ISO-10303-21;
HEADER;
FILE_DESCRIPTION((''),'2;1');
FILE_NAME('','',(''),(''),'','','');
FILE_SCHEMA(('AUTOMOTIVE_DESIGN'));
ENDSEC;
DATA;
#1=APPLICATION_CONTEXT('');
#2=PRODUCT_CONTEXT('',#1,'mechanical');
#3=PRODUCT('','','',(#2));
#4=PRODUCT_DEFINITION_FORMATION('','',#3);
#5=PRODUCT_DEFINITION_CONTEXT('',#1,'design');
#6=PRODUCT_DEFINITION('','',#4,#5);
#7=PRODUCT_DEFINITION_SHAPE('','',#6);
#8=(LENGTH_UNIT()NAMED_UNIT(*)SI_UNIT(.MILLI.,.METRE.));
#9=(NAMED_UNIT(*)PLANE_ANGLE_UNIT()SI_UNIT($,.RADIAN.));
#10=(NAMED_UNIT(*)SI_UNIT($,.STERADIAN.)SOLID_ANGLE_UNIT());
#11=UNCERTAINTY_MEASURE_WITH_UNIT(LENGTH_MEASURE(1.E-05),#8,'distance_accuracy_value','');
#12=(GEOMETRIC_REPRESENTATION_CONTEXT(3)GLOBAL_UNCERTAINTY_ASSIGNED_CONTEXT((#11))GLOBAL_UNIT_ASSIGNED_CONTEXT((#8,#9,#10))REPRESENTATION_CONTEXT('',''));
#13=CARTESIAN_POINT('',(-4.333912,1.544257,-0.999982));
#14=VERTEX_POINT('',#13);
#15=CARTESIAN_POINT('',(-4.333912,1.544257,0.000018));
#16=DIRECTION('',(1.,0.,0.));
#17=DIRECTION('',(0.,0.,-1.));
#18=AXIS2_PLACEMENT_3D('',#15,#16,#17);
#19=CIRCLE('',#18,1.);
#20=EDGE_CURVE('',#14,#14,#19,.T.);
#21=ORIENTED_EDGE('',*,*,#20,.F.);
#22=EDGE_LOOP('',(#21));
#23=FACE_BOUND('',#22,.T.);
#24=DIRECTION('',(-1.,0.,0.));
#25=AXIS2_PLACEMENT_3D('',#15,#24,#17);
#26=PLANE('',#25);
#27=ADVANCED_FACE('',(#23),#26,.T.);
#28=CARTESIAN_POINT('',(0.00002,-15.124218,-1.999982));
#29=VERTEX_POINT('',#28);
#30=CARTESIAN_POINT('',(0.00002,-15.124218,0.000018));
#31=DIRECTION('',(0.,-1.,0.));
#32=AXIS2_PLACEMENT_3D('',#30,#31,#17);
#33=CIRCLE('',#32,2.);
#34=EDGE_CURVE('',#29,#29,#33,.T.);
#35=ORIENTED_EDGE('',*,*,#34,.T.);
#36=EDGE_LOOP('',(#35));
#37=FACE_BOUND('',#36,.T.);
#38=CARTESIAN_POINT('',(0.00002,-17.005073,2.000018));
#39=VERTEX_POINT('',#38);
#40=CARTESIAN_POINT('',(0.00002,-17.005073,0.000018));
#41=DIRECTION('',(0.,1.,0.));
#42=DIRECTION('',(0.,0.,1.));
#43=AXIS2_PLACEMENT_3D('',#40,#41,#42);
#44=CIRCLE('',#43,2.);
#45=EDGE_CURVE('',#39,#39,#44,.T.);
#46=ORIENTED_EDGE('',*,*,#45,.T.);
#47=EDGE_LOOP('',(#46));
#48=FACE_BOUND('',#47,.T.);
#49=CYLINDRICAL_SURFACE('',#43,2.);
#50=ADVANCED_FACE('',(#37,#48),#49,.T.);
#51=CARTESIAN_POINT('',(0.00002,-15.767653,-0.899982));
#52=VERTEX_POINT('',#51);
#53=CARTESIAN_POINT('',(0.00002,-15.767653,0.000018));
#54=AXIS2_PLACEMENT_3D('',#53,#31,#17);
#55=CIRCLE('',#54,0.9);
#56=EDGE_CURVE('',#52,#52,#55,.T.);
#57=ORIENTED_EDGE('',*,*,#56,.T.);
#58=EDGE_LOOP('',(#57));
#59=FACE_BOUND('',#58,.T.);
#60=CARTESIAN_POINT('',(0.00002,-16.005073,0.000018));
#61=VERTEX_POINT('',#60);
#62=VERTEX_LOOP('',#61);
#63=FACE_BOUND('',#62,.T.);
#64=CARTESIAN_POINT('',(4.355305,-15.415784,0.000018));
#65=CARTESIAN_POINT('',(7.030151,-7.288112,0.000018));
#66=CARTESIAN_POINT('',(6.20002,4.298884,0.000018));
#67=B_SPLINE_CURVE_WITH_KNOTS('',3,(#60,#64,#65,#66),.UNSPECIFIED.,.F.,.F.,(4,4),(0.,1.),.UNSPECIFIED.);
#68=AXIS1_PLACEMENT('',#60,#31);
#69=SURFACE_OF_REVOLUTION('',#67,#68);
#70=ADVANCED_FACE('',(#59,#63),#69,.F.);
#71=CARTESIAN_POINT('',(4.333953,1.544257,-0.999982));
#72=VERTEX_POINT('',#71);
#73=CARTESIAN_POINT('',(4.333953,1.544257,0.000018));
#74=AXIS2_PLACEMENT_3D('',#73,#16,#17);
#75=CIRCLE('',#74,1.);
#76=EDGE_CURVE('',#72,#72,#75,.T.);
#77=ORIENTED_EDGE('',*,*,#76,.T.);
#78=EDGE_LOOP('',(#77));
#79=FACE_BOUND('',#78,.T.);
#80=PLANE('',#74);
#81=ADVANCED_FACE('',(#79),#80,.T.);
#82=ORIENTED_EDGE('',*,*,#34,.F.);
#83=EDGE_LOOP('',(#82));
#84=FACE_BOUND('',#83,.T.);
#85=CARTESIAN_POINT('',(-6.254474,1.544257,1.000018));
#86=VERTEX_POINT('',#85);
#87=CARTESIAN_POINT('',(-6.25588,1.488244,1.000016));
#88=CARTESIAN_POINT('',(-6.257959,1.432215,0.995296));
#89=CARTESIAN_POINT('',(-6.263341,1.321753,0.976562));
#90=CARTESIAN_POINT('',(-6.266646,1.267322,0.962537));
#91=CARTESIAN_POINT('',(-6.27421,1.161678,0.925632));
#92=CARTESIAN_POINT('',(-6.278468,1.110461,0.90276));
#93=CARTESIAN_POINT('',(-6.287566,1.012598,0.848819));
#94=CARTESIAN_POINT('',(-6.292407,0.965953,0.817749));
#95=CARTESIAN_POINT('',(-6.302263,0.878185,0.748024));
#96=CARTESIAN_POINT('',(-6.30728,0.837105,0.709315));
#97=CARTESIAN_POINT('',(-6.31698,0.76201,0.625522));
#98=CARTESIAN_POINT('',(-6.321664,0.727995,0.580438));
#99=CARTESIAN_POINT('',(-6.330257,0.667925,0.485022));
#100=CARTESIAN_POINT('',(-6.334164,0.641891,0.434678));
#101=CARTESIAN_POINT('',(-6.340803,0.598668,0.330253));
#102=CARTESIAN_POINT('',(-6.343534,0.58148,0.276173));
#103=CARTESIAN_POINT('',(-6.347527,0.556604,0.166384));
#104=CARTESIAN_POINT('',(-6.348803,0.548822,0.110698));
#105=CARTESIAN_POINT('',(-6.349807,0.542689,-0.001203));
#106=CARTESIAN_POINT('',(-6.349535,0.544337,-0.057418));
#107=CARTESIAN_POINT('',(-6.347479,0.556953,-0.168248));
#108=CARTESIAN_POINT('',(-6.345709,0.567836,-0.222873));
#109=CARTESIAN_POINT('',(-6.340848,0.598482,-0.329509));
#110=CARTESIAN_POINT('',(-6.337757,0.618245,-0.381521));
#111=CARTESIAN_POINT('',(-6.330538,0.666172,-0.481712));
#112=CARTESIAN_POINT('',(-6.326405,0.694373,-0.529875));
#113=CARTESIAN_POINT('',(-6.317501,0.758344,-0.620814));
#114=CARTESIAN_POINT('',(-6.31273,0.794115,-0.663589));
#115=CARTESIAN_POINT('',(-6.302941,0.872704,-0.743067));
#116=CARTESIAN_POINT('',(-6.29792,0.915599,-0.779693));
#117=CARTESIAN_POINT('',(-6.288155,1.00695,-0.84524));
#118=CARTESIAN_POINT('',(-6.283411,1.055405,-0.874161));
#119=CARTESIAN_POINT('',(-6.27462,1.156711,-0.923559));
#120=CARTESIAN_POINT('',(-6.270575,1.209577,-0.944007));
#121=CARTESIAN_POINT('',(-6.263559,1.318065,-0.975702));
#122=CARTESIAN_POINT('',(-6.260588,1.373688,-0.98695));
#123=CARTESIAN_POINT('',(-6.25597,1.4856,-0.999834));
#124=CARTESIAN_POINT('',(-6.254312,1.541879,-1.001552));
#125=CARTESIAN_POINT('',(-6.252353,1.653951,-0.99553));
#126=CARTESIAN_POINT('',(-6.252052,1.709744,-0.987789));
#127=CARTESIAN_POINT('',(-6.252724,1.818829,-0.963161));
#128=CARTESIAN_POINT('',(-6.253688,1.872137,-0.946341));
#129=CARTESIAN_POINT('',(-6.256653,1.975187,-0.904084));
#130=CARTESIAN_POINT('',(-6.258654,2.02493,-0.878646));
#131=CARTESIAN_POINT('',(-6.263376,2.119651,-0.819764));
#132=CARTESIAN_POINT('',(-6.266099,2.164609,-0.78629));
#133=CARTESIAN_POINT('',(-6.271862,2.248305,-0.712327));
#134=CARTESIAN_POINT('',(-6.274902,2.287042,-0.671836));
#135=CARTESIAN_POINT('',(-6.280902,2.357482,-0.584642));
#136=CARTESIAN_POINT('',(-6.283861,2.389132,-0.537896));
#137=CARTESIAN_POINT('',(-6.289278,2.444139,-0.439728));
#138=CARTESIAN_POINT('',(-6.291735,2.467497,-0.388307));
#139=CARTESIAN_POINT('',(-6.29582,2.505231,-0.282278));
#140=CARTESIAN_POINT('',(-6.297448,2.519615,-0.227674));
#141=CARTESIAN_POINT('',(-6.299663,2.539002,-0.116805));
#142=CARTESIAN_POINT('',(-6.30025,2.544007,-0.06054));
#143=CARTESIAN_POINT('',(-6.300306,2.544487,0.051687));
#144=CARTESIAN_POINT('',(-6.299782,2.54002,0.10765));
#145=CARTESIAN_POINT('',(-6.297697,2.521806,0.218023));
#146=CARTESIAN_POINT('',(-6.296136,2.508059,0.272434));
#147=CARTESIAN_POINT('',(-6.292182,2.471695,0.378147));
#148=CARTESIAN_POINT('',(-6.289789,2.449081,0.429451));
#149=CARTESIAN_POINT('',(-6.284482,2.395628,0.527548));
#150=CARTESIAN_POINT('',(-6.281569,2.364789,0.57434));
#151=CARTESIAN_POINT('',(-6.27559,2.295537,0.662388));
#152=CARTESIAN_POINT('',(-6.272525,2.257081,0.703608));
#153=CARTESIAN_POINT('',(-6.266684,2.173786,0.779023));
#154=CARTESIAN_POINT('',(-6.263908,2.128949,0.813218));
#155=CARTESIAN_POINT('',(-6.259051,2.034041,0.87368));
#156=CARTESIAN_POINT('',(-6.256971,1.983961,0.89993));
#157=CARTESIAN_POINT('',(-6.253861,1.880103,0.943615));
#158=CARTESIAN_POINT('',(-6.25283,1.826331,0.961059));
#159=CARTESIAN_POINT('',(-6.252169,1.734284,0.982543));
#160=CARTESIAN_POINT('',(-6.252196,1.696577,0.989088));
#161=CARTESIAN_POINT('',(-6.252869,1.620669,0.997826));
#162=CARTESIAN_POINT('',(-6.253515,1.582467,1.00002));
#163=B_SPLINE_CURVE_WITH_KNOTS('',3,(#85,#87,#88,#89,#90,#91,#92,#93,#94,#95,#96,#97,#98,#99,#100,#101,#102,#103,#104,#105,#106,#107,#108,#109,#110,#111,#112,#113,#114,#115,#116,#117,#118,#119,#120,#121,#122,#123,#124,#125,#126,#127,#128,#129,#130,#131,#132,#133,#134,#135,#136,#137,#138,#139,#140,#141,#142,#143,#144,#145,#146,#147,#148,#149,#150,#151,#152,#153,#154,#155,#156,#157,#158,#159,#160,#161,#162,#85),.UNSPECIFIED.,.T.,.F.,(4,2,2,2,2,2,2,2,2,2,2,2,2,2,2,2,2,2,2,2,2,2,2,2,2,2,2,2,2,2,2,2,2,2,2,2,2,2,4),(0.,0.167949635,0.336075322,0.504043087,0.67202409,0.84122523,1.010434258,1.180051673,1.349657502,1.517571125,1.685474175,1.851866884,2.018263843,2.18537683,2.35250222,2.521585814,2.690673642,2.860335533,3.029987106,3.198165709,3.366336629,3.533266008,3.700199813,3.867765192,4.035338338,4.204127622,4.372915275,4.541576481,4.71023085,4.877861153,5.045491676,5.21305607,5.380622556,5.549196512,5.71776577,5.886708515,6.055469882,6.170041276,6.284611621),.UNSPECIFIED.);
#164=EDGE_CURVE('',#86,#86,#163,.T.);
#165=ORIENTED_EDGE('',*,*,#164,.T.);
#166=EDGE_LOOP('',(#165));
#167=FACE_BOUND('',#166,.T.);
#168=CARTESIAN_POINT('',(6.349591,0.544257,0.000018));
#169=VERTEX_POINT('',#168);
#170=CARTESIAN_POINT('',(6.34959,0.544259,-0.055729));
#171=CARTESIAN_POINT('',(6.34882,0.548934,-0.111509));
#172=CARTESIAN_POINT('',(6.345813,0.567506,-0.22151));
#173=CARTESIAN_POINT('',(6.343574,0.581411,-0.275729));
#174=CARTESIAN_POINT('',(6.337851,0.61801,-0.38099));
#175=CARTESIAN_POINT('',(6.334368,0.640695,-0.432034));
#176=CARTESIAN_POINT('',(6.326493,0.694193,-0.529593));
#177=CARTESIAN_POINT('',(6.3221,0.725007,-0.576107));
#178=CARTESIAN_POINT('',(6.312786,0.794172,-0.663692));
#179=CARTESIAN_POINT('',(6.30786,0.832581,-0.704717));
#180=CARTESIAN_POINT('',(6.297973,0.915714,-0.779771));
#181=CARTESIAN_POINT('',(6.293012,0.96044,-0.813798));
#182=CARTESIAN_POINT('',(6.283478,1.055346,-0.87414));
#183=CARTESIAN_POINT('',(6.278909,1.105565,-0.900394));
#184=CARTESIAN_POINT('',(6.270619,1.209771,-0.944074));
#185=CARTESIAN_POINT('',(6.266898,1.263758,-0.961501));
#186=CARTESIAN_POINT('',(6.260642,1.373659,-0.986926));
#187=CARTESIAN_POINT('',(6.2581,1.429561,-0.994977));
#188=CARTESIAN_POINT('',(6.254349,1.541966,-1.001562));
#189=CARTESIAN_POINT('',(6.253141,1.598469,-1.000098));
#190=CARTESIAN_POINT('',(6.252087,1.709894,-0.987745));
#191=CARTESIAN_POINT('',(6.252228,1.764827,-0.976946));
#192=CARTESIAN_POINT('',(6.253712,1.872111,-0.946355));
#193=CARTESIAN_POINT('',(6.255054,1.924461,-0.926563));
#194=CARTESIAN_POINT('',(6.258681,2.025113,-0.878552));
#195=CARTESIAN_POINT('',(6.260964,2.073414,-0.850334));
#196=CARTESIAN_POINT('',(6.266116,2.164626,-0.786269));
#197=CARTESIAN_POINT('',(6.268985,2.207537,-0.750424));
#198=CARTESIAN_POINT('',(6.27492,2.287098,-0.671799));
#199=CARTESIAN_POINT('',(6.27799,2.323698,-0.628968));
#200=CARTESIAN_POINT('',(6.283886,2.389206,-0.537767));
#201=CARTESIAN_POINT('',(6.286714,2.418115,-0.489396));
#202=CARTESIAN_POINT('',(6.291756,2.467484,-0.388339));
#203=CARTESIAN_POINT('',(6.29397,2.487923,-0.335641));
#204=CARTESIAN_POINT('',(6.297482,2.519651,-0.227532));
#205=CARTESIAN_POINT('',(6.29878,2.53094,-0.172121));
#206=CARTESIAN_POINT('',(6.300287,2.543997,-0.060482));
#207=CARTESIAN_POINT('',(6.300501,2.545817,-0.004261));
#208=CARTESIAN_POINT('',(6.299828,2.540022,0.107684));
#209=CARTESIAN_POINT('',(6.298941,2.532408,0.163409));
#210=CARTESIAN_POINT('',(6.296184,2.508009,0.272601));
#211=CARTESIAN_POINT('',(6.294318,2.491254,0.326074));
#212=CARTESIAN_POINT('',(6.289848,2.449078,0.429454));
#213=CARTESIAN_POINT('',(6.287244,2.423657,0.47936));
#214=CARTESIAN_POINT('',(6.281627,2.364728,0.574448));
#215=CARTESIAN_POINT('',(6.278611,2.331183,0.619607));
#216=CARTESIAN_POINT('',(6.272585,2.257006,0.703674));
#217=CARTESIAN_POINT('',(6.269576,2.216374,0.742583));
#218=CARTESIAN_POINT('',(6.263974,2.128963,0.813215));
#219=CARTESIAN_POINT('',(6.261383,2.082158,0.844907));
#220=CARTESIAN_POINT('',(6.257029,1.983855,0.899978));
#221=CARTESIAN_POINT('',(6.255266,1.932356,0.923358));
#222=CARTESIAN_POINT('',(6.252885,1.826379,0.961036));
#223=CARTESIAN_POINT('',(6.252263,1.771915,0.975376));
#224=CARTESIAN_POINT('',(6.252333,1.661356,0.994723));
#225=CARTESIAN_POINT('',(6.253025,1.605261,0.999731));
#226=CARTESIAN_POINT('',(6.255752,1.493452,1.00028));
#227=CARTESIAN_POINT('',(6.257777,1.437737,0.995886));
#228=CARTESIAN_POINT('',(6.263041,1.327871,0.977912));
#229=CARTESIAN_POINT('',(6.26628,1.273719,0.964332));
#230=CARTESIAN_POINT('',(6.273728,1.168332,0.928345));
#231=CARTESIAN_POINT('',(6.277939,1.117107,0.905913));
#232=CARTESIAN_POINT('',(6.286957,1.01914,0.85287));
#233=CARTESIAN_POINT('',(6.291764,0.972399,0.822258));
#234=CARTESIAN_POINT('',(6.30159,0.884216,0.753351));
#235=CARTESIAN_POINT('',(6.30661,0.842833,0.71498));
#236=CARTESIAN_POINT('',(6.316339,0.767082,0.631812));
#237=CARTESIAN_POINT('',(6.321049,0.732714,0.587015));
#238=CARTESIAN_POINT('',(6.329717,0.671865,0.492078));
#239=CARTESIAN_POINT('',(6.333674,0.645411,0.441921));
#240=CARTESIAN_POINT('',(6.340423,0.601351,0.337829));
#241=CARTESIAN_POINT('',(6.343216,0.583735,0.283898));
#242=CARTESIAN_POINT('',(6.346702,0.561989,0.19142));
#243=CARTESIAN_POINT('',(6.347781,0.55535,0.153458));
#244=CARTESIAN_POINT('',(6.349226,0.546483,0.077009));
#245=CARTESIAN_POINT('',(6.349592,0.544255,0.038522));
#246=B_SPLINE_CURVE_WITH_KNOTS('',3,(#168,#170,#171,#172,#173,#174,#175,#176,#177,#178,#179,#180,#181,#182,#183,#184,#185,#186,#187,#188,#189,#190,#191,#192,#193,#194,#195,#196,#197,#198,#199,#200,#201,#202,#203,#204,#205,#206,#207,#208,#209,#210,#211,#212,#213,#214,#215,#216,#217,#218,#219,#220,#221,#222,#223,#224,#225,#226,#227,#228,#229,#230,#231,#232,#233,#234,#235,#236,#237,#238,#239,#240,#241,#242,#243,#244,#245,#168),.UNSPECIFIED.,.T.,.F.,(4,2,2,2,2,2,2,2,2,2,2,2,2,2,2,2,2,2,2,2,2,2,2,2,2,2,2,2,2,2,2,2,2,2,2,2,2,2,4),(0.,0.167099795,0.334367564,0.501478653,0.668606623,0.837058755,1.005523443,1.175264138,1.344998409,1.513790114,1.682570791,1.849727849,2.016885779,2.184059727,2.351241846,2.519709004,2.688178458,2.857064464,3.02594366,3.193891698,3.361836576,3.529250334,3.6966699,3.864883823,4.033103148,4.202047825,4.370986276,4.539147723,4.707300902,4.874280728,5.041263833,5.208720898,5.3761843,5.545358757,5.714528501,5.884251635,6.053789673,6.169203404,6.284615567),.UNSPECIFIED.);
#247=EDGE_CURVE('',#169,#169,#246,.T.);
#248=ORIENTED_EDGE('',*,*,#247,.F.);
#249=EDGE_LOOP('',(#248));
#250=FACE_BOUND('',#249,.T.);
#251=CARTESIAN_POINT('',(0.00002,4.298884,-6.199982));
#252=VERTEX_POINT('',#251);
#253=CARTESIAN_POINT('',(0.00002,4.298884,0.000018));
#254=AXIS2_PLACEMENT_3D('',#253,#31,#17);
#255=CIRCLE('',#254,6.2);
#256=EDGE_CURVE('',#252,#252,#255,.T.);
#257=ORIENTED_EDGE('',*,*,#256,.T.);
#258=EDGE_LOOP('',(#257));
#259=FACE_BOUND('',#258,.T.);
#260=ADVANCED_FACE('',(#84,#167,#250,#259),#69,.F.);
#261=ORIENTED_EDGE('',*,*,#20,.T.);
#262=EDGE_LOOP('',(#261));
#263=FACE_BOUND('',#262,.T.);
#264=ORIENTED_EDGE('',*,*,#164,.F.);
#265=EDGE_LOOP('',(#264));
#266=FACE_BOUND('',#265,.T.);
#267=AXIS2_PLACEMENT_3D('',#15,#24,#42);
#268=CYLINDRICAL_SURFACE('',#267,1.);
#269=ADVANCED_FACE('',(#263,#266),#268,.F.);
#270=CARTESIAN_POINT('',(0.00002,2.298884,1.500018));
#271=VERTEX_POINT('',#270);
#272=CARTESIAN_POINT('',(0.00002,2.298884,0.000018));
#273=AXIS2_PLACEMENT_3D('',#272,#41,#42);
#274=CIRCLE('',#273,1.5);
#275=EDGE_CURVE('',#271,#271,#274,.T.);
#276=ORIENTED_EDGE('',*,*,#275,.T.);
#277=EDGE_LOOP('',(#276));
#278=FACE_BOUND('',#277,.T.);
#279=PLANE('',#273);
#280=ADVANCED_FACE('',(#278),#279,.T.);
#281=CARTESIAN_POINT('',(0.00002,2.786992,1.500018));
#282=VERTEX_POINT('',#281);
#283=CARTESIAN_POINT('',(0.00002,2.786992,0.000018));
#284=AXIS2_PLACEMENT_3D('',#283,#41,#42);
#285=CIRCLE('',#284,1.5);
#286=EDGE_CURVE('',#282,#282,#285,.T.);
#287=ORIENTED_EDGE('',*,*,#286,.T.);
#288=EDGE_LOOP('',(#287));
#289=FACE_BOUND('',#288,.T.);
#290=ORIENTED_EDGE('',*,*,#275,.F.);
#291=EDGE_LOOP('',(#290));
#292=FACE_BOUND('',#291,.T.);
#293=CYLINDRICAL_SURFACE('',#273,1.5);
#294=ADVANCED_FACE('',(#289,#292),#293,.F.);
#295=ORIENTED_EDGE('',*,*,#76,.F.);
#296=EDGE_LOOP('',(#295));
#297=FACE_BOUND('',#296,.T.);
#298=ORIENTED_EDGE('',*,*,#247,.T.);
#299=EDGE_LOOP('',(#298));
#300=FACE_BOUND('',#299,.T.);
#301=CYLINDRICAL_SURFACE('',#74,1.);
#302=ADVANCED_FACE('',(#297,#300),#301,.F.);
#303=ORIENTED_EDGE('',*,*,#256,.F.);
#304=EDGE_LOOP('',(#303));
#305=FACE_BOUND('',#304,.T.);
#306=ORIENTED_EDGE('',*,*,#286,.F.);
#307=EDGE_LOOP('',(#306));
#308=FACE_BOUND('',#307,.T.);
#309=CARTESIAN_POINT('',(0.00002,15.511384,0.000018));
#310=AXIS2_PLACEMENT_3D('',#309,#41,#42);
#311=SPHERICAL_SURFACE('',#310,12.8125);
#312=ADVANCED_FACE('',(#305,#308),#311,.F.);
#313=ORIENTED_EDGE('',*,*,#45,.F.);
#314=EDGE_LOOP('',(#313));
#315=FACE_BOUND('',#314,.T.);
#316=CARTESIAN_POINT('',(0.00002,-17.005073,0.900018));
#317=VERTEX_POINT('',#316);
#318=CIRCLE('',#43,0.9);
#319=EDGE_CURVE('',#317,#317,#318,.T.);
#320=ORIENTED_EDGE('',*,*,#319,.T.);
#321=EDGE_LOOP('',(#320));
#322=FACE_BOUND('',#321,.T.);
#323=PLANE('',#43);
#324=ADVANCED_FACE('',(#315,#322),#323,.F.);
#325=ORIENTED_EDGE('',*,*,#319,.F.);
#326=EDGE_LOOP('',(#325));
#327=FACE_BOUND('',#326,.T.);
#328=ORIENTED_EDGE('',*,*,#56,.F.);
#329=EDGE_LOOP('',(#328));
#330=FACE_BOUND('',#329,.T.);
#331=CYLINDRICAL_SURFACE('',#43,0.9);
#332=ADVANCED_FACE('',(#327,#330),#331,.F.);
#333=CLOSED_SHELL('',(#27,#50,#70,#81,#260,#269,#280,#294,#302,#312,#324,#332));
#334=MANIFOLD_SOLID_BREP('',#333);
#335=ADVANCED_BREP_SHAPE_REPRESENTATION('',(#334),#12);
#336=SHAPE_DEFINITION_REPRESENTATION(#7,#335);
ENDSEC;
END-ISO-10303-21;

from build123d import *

# Parameters (mm, degrees)
DOME2_FACE_RADIUS               = 3.1
DOME2_HEIGHT                    = 0.8
SKETCH6_R                       = 0.500000006
CUT_EXTRUDE2_DEPTH              = 1
SKETCH7_R                       = 0.75
CUT_EXTRUDE3_DEPTH              = 1
BOSS_EXTRUDE1_REACH             = 12.152
SKETCH9_R                       = 1
SKETCH9_R_2                     = 0.45
BOSS_EXTRUDE1_DIRECTION_2_DEPTH = 0.5
SCALE1_SCALE                    = 2


with BuildPart() as part:
    # Sketch2 → Revolve2 (revolve)
    with BuildSketch(Plane.XY):
        with BuildLine():
            Line((0, 0), (3.1, 0))
            add(Edge.make_bspline(
                [(0, -10.151978408), (2.177642547, -9.857333884), (3.515065362, -5.793498011), (3.1, 0)],
                knots=[0, 0, 0, 0, 1, 1, 1, 1], degree=3))
            Line((0, -10.151978408), (0, 0))
        make_face()
    revolve(axis=Axis((0, -10.151978408, 0), (0, 1, 0)))

    # Dome2: a dome of height H over a round flat face of radius A is a cap of a sphere of radius (A * A + H * H) / (2 * H)
    dome2_r = (DOME2_FACE_RADIUS * DOME2_FACE_RADIUS + DOME2_HEIGHT * DOME2_HEIGHT) / (2 * DOME2_HEIGHT)
    dome2_base = Plane((0, 0, 0), z_dir=(0, -1, 0))
    with Locations(dome2_base.offset(DOME2_HEIGHT - dome2_r)):
        dome2_ball = Sphere(dome2_r, mode=Mode.PRIVATE)
    add(split(dome2_ball, bisect_by=dome2_base, keep=Keep.TOP, mode=Mode.PRIVATE), mode=Mode.SUBTRACT)

    # Sketch6 → Cut-Extrude2 (cut, symmetric)
    with BuildSketch(Plane(origin=(3.16696636, 0, 0), x_dir=(0, 0, -1), z_dir=(1, 0, 0))):
        with Locations((0, -1.377313707)):
            Circle(SKETCH6_R)
    cut_extrude2 = extrude(amount=CUT_EXTRUDE2_DEPTH, both=True, mode=Mode.SUBTRACT)

    # Mirror1: Cut-Extrude2 across plane
    add(cut_extrude2.mirror(Plane(origin=(0, 0, 0), x_dir=(0, 0, 1), z_dir=(1, 0, 0))), mode=Mode.SUBTRACT)

    # Sketch7 → Cut-Extrude3 (cut)
    with BuildSketch(Plane(origin=(0, 0, 0), x_dir=(1, 0, 0), z_dir=(0, 1, 0))):
        Circle(SKETCH7_R)
    extrude(amount=-CUT_EXTRUDE3_DEPTH, mode=Mode.SUBTRACT)

    # Sketch9 → Boss-Extrude1 (add, up to next)
    with BuildSketch(Plane(origin=(0, -10.151978408, 0), x_dir=(1, 0, 0), z_dir=(0, 1, 0)), mode=Mode.PRIVATE) as boss_extrude1_sk1:
        Circle(SKETCH9_R)
        Circle(SKETCH9_R_2, mode=Mode.SUBTRACT)
    boss_extrude1_tool1 = extrude(boss_extrude1_sk1.sketch, amount=BOSS_EXTRUDE1_REACH, mode=Mode.PRIVATE) - part.part
    add(boss_extrude1_tool1.solids().sort_by_distance((-0.971716, -10.151978, 0))[0])

    # Sketch9 → Boss-Extrude1 direction 2 (add)
    with BuildSketch(Plane(origin=(0, -10.151978408, 0), x_dir=(1, 0, 0), z_dir=(0, 1, 0))):
        Circle(SKETCH9_R)
        Circle(SKETCH9_R_2, mode=Mode.SUBTRACT)
    extrude(amount=-BOSS_EXTRUDE1_DIRECTION_2_DEPTH)


with BuildPart() as part_1:
    # Scale1: scaled about (3.7e-08, -4.298834834, 9.2e-08)
    add(part.part.scale(SCALE1_SCALE).moved(Location((-3.7e-08, 4.298834834, -9.2e-08))))


solid = part_1.part
